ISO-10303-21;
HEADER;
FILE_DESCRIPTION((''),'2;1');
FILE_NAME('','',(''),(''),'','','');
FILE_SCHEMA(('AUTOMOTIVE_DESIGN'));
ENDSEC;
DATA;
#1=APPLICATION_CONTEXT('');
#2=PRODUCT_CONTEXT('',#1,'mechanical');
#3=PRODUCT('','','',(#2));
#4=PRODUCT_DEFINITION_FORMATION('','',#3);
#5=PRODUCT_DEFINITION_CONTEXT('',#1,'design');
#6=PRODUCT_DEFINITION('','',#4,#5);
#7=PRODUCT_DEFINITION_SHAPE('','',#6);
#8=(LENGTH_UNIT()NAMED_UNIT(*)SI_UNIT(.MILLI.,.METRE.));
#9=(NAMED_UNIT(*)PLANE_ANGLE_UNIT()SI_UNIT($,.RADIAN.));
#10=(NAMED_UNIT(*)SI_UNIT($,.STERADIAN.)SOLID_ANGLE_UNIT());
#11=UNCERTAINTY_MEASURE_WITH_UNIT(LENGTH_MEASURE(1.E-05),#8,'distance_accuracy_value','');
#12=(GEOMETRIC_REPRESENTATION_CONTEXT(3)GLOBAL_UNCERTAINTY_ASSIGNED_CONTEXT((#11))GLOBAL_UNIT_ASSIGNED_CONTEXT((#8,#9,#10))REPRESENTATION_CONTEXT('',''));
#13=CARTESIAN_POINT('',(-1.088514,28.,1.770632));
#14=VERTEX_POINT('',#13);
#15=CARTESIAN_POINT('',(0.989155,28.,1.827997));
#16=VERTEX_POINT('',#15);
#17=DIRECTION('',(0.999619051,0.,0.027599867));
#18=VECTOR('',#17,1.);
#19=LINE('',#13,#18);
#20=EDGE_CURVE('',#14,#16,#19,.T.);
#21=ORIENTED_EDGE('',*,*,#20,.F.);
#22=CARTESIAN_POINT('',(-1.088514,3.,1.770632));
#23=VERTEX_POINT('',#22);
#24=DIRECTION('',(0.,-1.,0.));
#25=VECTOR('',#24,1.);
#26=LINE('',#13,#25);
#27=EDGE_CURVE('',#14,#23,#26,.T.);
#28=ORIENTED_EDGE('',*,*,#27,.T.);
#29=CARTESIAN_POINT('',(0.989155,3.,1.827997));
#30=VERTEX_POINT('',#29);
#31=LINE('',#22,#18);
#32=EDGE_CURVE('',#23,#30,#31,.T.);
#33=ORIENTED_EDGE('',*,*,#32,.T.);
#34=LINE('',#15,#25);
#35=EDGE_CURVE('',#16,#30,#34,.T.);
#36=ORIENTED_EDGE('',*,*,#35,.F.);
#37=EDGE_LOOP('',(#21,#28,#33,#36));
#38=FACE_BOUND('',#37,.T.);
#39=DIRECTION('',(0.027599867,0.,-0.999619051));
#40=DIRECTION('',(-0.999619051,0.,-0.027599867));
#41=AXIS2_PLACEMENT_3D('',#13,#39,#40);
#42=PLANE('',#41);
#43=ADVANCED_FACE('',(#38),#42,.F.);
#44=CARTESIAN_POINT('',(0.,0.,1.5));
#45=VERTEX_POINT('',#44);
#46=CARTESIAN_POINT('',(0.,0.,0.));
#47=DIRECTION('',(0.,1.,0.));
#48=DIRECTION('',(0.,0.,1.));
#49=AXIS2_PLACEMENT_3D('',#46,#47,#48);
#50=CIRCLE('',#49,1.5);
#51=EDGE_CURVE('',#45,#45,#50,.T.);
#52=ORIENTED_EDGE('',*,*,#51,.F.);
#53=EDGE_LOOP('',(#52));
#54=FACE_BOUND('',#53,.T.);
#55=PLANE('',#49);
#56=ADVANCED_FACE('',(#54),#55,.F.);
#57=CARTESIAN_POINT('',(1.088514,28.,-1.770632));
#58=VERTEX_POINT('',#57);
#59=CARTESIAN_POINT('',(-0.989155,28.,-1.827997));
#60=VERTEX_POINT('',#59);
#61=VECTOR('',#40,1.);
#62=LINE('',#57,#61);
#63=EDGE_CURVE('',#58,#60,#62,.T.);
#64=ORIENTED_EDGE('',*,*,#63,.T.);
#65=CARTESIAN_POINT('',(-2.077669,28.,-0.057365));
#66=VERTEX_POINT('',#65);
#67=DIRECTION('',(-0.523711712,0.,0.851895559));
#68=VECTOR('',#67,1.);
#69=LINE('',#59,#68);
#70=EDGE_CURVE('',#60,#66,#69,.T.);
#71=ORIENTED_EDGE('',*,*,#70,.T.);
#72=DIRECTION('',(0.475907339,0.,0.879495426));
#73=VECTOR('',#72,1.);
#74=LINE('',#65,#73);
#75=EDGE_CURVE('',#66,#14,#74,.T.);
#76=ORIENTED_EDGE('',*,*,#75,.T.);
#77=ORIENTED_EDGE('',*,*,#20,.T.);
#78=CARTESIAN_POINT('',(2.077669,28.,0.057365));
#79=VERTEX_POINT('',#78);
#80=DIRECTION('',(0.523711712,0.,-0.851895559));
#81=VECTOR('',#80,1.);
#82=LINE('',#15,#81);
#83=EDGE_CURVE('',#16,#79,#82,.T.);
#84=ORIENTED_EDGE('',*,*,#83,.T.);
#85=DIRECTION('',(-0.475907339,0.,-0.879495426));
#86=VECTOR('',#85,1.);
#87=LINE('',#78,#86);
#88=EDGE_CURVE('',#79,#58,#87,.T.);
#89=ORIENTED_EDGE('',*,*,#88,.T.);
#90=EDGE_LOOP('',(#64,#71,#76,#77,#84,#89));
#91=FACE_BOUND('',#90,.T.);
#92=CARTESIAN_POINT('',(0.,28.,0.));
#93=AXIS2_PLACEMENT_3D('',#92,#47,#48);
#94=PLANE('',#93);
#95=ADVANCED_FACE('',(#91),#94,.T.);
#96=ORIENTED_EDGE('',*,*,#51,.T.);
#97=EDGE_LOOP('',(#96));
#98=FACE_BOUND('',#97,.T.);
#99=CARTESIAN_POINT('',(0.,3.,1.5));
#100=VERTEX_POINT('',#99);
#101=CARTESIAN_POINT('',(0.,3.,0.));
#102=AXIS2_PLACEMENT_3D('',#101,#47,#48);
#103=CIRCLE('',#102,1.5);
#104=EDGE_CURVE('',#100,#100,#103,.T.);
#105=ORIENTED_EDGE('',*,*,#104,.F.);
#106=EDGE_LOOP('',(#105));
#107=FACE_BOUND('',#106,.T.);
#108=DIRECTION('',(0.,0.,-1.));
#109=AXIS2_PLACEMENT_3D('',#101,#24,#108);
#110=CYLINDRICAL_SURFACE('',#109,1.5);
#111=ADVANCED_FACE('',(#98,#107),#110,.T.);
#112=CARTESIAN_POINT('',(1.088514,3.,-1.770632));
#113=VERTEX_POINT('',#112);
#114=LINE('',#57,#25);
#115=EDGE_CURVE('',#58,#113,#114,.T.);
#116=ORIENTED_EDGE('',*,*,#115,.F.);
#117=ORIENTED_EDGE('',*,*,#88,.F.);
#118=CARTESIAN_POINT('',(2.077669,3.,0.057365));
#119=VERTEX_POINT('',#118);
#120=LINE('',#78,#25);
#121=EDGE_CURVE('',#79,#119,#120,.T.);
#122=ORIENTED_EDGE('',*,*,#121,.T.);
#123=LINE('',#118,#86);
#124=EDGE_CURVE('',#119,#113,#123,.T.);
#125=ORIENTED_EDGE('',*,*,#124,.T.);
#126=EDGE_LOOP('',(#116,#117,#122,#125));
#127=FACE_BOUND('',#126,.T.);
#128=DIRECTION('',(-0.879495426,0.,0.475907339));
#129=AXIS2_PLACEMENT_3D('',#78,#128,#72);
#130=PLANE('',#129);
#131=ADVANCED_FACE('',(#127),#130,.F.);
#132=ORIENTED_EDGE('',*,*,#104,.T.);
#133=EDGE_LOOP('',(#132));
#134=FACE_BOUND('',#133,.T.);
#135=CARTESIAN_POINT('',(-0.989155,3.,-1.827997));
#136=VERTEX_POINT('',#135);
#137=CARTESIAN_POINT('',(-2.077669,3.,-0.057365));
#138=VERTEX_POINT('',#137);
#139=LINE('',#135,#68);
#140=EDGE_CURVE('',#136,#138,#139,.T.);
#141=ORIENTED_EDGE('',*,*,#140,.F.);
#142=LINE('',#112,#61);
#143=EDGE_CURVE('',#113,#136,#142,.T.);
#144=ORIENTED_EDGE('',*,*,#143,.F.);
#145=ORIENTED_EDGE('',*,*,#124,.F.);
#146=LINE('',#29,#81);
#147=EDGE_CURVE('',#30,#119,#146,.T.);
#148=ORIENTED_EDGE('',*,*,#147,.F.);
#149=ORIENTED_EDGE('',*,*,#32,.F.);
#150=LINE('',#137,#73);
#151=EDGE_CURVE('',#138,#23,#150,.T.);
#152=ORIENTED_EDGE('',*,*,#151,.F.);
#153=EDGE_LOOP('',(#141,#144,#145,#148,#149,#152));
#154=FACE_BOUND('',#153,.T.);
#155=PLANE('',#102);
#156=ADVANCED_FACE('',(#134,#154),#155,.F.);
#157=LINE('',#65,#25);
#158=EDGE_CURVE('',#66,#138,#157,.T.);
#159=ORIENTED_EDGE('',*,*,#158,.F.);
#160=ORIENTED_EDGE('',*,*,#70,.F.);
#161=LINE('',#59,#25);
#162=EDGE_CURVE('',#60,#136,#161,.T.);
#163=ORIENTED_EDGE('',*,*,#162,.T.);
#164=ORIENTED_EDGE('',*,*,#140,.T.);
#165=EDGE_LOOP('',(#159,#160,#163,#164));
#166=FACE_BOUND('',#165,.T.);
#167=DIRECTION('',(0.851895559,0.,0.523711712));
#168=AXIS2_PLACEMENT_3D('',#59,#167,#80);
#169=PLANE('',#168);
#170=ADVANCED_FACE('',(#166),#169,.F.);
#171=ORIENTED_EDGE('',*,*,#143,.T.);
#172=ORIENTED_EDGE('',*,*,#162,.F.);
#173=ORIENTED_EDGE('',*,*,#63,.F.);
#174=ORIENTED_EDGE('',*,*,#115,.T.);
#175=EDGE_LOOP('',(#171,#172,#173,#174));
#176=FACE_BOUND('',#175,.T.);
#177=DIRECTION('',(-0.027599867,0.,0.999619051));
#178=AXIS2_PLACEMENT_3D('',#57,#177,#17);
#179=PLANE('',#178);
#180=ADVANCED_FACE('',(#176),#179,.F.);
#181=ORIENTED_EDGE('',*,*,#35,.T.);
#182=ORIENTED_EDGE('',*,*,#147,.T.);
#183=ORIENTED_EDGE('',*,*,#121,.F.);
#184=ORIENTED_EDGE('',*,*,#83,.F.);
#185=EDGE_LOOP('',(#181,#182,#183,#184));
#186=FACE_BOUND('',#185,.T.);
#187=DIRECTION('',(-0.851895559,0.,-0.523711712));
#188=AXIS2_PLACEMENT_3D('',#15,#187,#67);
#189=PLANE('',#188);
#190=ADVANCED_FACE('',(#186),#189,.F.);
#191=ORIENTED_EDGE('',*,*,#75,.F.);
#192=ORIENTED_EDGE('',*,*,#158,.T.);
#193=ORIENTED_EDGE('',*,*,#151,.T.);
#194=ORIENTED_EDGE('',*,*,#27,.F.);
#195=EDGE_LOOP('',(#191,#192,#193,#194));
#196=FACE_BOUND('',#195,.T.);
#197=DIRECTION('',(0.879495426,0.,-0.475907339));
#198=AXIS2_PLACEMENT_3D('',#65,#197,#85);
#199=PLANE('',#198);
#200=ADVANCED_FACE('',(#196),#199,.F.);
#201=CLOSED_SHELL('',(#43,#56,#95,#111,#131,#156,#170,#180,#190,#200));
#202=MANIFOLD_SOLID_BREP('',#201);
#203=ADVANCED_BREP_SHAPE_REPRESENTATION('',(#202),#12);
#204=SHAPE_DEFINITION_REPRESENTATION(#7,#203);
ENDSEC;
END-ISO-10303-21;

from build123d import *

# Parameters (mm, degrees)
SKETCH1_R           = 1.5
BOSS_EXTRUDE1_DEPTH = 3
BOSS_EXTRUDE2_DEPTH = 25


with BuildPart() as part:
    # Sketch1 → Boss-Extrude1 (new body)
    with BuildSketch(Plane(origin=(0, 0, 0), x_dir=(1, 0, 0), z_dir=(0, 1, 0))):
        with Locations(Location((0, 0, 0), (0, 0, 270))):
            Circle(SKETCH1_R)
    extrude(amount=BOSS_EXTRUDE1_DEPTH)

    # Sketch2 → Boss-Extrude2 (add)
    with BuildSketch(Plane(origin=(0, 3, 0), x_dir=(1, 0, 0), z_dir=(0, 1, 0))):
        Polygon((-0.98915483, 1.827996915), (-2.077669182, 0.057365247), (-1.088514352, -1.770631668), (0.98915483, -1.827996915), (2.077669182, -0.057365247), (1.088514352, 1.770631668), align=None)
    extrude(amount=BOSS_EXTRUDE2_DEPTH)


solid = part.part
